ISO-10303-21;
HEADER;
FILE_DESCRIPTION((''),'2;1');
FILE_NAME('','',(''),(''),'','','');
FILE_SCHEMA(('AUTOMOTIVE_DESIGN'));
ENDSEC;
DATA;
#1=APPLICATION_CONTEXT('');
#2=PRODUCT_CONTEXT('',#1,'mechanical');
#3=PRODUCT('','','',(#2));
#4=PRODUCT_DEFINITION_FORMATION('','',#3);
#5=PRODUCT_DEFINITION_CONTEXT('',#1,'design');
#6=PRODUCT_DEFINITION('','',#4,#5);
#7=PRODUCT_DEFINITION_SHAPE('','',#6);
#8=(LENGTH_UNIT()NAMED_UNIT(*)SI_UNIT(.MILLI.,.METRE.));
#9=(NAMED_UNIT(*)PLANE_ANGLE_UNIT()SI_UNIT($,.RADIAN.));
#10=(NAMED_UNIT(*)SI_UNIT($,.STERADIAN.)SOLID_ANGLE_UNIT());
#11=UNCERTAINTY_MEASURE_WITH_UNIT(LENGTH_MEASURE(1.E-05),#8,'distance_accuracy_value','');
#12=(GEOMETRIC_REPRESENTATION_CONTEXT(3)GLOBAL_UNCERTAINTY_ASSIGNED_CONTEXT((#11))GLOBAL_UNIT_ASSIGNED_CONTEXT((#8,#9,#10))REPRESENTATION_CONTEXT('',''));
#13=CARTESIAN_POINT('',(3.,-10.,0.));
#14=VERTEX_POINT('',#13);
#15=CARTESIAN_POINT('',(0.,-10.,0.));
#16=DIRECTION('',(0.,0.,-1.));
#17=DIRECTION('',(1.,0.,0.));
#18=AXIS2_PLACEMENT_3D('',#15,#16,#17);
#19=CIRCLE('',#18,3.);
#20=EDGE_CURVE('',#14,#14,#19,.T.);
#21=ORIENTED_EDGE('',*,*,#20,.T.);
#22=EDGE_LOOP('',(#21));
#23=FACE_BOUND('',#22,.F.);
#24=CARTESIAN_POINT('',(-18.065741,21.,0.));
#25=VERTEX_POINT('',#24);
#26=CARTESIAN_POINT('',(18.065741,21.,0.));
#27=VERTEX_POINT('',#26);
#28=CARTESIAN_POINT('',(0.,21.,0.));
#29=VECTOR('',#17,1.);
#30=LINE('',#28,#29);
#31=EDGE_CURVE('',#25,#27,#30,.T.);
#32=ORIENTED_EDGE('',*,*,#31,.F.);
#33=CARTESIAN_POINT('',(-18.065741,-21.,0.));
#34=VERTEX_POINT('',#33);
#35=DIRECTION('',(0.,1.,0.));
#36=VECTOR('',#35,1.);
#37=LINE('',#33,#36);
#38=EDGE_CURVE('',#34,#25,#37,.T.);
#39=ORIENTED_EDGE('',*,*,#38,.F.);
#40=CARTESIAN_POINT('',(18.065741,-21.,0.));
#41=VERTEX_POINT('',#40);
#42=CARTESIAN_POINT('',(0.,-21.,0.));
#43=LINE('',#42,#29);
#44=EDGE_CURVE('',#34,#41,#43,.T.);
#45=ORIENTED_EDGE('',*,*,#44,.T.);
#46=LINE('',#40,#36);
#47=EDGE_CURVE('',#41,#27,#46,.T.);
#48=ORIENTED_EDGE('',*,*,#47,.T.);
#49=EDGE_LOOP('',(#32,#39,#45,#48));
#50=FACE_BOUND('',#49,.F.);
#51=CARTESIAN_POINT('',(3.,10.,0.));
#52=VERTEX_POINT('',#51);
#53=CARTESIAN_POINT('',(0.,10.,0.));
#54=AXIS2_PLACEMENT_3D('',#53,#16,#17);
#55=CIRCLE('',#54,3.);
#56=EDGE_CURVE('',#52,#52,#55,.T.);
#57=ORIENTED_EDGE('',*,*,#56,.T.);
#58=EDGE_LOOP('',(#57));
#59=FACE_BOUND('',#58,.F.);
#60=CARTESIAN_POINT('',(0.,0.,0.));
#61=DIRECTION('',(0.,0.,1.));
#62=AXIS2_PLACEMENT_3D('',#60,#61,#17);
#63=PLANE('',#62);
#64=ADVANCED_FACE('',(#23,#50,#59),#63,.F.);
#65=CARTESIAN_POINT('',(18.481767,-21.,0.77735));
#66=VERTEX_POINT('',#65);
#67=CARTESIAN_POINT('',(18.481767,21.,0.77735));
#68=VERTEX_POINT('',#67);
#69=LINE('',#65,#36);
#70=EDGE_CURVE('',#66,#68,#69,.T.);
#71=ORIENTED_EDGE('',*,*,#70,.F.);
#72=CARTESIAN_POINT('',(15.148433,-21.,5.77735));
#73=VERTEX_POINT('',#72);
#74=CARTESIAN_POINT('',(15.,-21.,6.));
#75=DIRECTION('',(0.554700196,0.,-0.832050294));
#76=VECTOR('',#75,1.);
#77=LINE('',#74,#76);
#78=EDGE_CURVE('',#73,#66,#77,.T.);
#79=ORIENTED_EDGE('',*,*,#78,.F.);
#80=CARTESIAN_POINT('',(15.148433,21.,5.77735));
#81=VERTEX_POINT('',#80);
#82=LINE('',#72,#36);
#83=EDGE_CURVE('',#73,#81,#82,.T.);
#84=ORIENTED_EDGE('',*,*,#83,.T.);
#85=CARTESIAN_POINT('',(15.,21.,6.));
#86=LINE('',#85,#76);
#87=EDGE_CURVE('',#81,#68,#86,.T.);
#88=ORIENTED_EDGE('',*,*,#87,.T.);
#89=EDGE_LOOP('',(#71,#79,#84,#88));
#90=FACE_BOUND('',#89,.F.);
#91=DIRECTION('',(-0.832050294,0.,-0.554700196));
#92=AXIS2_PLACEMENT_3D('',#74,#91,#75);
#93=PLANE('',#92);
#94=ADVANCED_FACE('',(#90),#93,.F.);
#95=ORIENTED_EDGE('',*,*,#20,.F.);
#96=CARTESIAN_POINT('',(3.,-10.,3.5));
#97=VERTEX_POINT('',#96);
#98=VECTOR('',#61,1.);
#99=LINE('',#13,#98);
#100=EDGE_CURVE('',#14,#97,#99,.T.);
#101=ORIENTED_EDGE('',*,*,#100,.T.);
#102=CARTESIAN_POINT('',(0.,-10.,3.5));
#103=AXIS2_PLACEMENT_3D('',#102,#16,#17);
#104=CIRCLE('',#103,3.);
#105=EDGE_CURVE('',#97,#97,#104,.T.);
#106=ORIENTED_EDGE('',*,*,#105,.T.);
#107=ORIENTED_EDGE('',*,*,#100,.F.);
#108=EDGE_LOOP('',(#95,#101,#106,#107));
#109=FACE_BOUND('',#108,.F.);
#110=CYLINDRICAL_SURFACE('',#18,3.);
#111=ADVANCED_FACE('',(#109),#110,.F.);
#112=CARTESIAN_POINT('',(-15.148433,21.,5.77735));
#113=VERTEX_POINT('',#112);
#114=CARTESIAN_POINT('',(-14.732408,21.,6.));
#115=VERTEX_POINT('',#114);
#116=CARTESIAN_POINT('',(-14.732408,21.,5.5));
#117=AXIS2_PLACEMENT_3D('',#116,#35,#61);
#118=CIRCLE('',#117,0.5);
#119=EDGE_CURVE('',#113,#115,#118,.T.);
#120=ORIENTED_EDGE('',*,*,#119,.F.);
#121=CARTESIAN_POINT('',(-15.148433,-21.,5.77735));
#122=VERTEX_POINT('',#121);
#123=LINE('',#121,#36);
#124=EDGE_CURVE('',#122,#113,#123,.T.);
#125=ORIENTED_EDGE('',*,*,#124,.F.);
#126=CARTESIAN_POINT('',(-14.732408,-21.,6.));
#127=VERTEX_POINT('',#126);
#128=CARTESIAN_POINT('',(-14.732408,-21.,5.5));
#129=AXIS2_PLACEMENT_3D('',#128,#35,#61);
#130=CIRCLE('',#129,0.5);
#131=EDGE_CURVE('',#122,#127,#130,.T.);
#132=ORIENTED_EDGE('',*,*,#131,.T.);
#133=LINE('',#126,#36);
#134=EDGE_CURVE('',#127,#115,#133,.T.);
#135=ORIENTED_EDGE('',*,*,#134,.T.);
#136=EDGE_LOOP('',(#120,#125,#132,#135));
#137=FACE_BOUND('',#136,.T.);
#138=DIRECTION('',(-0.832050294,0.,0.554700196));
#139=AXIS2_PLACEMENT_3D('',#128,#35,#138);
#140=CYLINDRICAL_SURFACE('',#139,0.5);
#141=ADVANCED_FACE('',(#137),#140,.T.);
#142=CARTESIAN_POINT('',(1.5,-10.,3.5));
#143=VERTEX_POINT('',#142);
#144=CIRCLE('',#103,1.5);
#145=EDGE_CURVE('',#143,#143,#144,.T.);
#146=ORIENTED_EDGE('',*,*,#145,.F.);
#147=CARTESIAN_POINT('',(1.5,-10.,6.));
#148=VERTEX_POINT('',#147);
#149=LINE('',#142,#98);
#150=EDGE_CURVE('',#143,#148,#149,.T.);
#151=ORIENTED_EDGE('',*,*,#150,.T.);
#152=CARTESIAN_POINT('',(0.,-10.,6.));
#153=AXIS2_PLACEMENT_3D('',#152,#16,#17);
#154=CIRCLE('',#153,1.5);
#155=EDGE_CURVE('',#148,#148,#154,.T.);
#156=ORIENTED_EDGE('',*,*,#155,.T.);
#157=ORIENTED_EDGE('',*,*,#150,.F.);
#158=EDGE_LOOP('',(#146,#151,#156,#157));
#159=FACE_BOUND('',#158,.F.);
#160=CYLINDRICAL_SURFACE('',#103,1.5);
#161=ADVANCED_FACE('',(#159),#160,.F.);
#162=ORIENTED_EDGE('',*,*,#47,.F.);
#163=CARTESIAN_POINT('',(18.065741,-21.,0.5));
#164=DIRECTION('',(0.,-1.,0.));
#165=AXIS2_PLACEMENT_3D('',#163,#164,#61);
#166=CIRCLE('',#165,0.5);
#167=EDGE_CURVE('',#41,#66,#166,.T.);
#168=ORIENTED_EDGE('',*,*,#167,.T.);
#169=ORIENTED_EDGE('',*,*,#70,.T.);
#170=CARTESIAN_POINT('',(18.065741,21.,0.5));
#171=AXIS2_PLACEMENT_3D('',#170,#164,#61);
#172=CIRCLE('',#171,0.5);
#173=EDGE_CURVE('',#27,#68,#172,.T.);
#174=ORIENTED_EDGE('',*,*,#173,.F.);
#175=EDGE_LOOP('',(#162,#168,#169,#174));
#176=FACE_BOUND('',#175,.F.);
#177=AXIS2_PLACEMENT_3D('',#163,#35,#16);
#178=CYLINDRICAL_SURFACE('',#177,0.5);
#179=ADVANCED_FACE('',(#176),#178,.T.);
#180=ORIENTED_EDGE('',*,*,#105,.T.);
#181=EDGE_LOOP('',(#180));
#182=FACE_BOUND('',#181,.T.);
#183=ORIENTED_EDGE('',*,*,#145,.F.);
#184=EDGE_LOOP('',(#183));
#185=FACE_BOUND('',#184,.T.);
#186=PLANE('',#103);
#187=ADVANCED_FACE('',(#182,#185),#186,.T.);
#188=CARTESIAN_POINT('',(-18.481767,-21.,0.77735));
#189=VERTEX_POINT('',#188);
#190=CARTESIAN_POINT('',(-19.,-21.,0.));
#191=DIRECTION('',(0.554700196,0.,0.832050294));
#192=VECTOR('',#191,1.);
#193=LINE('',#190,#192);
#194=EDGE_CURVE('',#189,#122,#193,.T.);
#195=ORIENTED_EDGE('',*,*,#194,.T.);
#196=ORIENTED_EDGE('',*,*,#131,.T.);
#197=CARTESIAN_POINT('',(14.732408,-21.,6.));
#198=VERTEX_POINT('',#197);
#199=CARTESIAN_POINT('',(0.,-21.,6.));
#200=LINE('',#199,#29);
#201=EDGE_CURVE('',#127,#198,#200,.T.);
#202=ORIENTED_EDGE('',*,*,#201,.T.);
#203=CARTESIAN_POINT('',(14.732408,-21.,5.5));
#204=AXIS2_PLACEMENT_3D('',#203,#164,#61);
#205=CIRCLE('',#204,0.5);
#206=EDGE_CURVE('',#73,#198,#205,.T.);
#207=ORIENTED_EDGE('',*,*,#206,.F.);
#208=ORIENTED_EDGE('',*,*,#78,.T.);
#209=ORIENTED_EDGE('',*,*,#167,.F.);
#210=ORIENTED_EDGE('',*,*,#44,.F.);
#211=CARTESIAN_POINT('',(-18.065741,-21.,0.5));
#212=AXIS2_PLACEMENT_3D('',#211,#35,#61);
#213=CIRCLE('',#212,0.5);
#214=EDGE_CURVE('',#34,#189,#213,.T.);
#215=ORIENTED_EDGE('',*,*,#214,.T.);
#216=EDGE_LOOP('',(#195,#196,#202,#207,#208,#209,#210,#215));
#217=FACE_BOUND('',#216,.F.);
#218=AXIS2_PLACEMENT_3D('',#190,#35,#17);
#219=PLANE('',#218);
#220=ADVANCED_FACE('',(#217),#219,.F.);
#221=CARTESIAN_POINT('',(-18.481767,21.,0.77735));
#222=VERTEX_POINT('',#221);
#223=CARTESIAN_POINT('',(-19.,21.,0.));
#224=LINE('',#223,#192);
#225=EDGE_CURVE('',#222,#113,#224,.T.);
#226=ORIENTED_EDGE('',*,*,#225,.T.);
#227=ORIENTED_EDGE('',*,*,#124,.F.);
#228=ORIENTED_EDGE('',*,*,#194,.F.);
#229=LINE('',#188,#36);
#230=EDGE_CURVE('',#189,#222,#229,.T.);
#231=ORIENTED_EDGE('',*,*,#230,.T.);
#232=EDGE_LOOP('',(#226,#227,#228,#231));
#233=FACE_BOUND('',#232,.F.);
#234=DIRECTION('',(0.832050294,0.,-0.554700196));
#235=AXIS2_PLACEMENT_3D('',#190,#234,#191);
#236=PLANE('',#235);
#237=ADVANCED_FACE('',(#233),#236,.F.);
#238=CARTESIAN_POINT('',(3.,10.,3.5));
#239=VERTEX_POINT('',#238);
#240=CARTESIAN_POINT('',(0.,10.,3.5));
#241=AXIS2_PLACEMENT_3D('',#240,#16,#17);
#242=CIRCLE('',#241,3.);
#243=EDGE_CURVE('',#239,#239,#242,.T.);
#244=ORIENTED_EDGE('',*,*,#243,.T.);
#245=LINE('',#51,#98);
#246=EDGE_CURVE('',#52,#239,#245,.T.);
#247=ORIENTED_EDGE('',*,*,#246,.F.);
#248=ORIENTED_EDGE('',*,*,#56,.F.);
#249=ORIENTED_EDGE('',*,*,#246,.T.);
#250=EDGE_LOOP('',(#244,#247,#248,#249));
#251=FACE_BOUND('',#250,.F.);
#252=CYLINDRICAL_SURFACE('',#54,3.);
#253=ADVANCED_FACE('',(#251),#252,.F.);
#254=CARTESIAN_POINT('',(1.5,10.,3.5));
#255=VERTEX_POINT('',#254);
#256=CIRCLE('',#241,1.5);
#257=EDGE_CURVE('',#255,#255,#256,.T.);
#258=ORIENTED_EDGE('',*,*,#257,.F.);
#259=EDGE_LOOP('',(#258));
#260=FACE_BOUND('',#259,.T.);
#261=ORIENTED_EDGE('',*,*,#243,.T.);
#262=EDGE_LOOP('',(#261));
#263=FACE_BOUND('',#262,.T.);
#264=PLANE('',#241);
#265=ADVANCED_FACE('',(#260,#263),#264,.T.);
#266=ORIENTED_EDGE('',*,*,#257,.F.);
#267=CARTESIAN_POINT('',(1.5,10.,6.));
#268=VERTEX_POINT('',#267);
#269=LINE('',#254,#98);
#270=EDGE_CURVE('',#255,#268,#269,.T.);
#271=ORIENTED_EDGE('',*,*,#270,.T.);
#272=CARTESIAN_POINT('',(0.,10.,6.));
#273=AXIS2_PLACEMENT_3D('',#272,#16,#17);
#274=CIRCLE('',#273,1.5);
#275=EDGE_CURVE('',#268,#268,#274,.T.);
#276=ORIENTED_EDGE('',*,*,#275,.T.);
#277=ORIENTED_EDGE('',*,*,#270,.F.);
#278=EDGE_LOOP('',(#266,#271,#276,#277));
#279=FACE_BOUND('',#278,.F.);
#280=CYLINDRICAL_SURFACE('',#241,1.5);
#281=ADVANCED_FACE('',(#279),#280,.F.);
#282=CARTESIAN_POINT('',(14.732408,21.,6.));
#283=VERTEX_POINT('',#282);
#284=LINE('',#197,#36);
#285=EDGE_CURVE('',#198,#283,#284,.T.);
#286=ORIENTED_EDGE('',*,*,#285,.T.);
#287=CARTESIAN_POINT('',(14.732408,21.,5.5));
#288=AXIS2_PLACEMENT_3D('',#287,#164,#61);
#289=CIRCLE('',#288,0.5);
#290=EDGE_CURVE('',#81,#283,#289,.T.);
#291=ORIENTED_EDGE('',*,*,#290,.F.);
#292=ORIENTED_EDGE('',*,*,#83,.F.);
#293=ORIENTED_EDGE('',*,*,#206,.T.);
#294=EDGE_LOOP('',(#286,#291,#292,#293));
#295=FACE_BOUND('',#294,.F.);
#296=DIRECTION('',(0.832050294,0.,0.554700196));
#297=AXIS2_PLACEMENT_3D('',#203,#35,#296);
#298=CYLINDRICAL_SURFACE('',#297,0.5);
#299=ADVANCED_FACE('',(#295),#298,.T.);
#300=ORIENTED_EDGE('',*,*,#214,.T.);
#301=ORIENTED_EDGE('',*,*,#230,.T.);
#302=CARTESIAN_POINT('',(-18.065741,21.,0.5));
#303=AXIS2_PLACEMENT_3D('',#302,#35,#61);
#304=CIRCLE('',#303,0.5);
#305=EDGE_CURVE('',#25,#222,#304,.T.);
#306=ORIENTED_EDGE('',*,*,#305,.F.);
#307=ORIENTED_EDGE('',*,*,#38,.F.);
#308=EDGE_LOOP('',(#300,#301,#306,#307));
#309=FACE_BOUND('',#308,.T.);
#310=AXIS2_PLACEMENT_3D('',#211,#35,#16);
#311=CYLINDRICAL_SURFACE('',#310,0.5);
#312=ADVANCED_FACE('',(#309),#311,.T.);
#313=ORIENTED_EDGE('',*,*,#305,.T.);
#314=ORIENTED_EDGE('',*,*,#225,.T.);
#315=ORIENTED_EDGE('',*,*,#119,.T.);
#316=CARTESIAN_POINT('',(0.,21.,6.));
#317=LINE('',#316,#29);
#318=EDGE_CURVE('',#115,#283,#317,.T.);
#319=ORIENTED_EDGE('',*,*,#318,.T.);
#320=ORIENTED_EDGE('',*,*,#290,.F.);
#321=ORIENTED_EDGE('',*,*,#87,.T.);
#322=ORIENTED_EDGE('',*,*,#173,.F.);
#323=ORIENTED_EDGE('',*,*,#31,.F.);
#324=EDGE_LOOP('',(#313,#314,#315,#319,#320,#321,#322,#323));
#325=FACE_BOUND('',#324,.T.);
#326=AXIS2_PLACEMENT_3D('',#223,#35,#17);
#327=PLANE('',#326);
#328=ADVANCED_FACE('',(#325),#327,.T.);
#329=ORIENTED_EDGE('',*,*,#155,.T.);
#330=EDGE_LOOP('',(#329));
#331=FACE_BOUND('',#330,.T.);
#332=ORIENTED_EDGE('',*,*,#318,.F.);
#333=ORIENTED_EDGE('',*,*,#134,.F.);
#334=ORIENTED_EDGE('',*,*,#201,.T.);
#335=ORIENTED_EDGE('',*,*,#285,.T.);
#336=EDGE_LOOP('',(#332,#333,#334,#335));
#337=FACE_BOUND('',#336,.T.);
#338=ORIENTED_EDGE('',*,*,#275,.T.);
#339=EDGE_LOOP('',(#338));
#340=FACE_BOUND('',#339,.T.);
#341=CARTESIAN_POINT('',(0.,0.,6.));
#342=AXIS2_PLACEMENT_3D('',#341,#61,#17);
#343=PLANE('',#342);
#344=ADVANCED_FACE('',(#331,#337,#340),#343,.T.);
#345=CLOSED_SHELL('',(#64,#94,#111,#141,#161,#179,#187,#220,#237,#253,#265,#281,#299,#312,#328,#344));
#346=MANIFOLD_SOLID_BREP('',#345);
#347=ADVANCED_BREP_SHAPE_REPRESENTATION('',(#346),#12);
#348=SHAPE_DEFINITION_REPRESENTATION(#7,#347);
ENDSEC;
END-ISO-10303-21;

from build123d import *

# Parameters (mm, degrees)
F0_W     = 38
F0_H     = 42
F1_DEPTH = 6
F3_DEPTH = 42
F4_R     = 0.5
F5_R     = 3
F6_DEPTH = 3.5
F7_R     = 1.5
F8_R     = 1.5
F9_DEPTH = 5


with BuildPart() as f1:
    # F0 (on Top) → F1 (new body)
    with BuildSketch(Plane.XY):
        Rectangle(F0_W, F0_H)
    extrude(amount=F1_DEPTH)

    # F2 (on face) → F3 (cut)
    with BuildSketch(Plane.XZ.offset(21)):
        Polygon((15, 6), (19, 0), (19, 6), align=None)
        Polygon((-15, 6), (-19, 6), (-19, 0), align=None)
    extrude(amount=-F3_DEPTH, mode=Mode.SUBTRACT)

    # F4
    f4_edges = [f1.edges().sort_by_distance(p)[0] for p in [
        (-19, 0, 0),
        (19, 0, 0),
        (-15, 0, 6),
        (15, 0, 6),
    ]]
    fillet(f4_edges, radius=F4_R)

    # F5 (on face) → F6 (cut)
    with BuildSketch(Plane(origin=(0, 0, 0), x_dir=(1, 0, 0), z_dir=(0, 0, -1))):
        with Locations((0, 10)):
            Circle(F5_R)
        with Locations((0, -10)):
            Circle(F5_R)
    extrude(amount=-F6_DEPTH, mode=Mode.SUBTRACT)

    # F7 (on face) + F8 (on face) → F9 (cut)
    with BuildSketch(Plane(origin=(0, 0, 3.5), x_dir=(1, 0, 0), z_dir=(0, 0, -1))):
        with Locations((0, 10)):
            Circle(F7_R)
    with BuildSketch(Plane(origin=(0, 0, 3.5), x_dir=(1, 0, 0), z_dir=(0, 0, -1))):
        with Locations((0, -10)):
            Circle(F8_R)
    extrude(amount=-F9_DEPTH, mode=Mode.SUBTRACT)


solid = f1.part
